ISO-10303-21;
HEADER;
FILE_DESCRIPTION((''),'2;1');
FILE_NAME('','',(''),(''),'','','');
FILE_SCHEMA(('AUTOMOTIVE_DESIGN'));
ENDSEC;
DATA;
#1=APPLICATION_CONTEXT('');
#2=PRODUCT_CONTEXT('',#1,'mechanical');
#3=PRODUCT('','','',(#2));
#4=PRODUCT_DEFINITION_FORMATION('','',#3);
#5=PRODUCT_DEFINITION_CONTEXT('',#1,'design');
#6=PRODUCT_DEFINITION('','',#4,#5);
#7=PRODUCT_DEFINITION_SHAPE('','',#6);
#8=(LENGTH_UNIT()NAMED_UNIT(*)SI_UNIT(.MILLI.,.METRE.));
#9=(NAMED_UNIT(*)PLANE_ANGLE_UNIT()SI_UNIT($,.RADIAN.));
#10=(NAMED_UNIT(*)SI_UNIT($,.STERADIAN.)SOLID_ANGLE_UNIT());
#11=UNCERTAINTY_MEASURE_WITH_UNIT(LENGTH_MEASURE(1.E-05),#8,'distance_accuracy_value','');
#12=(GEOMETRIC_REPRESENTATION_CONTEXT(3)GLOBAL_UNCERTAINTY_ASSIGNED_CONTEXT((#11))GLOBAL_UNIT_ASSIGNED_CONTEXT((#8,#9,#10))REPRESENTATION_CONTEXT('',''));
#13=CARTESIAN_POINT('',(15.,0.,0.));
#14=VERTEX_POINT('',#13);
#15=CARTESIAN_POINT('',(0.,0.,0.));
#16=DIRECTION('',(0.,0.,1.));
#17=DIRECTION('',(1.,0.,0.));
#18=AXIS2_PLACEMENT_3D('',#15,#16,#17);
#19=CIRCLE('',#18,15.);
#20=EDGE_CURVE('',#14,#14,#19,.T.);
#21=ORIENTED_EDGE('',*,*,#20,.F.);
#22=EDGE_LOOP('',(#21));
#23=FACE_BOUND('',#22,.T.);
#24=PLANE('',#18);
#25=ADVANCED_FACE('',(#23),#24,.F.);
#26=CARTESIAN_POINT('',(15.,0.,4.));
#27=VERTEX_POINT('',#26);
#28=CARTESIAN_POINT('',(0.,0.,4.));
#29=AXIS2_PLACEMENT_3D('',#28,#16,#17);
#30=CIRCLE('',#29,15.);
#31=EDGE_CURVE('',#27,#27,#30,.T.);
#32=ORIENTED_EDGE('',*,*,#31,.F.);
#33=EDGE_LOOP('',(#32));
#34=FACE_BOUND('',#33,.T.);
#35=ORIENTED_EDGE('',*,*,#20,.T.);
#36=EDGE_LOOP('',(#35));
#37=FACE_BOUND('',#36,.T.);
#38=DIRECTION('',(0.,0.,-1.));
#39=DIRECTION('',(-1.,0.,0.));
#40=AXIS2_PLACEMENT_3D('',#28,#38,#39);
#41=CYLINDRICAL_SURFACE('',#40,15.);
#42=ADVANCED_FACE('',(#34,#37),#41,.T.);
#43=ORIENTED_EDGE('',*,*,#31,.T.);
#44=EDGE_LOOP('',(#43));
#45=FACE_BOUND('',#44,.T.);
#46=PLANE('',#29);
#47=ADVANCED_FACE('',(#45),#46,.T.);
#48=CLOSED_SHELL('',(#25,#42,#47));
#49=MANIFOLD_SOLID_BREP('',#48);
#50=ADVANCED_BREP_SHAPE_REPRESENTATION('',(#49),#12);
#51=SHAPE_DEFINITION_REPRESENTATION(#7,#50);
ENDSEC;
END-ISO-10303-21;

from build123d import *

# Parameters (mm, degrees)
SKETCH_1_R      = 15
EXTRUDE_1_DEPTH = 4


with BuildPart() as part:
    # 草图1 → 凸台-拉伸1 (new body)
    with BuildSketch(Plane.XY):
        Circle(SKETCH_1_R)
    extrude(amount=EXTRUDE_1_DEPTH)


solid = part.part
